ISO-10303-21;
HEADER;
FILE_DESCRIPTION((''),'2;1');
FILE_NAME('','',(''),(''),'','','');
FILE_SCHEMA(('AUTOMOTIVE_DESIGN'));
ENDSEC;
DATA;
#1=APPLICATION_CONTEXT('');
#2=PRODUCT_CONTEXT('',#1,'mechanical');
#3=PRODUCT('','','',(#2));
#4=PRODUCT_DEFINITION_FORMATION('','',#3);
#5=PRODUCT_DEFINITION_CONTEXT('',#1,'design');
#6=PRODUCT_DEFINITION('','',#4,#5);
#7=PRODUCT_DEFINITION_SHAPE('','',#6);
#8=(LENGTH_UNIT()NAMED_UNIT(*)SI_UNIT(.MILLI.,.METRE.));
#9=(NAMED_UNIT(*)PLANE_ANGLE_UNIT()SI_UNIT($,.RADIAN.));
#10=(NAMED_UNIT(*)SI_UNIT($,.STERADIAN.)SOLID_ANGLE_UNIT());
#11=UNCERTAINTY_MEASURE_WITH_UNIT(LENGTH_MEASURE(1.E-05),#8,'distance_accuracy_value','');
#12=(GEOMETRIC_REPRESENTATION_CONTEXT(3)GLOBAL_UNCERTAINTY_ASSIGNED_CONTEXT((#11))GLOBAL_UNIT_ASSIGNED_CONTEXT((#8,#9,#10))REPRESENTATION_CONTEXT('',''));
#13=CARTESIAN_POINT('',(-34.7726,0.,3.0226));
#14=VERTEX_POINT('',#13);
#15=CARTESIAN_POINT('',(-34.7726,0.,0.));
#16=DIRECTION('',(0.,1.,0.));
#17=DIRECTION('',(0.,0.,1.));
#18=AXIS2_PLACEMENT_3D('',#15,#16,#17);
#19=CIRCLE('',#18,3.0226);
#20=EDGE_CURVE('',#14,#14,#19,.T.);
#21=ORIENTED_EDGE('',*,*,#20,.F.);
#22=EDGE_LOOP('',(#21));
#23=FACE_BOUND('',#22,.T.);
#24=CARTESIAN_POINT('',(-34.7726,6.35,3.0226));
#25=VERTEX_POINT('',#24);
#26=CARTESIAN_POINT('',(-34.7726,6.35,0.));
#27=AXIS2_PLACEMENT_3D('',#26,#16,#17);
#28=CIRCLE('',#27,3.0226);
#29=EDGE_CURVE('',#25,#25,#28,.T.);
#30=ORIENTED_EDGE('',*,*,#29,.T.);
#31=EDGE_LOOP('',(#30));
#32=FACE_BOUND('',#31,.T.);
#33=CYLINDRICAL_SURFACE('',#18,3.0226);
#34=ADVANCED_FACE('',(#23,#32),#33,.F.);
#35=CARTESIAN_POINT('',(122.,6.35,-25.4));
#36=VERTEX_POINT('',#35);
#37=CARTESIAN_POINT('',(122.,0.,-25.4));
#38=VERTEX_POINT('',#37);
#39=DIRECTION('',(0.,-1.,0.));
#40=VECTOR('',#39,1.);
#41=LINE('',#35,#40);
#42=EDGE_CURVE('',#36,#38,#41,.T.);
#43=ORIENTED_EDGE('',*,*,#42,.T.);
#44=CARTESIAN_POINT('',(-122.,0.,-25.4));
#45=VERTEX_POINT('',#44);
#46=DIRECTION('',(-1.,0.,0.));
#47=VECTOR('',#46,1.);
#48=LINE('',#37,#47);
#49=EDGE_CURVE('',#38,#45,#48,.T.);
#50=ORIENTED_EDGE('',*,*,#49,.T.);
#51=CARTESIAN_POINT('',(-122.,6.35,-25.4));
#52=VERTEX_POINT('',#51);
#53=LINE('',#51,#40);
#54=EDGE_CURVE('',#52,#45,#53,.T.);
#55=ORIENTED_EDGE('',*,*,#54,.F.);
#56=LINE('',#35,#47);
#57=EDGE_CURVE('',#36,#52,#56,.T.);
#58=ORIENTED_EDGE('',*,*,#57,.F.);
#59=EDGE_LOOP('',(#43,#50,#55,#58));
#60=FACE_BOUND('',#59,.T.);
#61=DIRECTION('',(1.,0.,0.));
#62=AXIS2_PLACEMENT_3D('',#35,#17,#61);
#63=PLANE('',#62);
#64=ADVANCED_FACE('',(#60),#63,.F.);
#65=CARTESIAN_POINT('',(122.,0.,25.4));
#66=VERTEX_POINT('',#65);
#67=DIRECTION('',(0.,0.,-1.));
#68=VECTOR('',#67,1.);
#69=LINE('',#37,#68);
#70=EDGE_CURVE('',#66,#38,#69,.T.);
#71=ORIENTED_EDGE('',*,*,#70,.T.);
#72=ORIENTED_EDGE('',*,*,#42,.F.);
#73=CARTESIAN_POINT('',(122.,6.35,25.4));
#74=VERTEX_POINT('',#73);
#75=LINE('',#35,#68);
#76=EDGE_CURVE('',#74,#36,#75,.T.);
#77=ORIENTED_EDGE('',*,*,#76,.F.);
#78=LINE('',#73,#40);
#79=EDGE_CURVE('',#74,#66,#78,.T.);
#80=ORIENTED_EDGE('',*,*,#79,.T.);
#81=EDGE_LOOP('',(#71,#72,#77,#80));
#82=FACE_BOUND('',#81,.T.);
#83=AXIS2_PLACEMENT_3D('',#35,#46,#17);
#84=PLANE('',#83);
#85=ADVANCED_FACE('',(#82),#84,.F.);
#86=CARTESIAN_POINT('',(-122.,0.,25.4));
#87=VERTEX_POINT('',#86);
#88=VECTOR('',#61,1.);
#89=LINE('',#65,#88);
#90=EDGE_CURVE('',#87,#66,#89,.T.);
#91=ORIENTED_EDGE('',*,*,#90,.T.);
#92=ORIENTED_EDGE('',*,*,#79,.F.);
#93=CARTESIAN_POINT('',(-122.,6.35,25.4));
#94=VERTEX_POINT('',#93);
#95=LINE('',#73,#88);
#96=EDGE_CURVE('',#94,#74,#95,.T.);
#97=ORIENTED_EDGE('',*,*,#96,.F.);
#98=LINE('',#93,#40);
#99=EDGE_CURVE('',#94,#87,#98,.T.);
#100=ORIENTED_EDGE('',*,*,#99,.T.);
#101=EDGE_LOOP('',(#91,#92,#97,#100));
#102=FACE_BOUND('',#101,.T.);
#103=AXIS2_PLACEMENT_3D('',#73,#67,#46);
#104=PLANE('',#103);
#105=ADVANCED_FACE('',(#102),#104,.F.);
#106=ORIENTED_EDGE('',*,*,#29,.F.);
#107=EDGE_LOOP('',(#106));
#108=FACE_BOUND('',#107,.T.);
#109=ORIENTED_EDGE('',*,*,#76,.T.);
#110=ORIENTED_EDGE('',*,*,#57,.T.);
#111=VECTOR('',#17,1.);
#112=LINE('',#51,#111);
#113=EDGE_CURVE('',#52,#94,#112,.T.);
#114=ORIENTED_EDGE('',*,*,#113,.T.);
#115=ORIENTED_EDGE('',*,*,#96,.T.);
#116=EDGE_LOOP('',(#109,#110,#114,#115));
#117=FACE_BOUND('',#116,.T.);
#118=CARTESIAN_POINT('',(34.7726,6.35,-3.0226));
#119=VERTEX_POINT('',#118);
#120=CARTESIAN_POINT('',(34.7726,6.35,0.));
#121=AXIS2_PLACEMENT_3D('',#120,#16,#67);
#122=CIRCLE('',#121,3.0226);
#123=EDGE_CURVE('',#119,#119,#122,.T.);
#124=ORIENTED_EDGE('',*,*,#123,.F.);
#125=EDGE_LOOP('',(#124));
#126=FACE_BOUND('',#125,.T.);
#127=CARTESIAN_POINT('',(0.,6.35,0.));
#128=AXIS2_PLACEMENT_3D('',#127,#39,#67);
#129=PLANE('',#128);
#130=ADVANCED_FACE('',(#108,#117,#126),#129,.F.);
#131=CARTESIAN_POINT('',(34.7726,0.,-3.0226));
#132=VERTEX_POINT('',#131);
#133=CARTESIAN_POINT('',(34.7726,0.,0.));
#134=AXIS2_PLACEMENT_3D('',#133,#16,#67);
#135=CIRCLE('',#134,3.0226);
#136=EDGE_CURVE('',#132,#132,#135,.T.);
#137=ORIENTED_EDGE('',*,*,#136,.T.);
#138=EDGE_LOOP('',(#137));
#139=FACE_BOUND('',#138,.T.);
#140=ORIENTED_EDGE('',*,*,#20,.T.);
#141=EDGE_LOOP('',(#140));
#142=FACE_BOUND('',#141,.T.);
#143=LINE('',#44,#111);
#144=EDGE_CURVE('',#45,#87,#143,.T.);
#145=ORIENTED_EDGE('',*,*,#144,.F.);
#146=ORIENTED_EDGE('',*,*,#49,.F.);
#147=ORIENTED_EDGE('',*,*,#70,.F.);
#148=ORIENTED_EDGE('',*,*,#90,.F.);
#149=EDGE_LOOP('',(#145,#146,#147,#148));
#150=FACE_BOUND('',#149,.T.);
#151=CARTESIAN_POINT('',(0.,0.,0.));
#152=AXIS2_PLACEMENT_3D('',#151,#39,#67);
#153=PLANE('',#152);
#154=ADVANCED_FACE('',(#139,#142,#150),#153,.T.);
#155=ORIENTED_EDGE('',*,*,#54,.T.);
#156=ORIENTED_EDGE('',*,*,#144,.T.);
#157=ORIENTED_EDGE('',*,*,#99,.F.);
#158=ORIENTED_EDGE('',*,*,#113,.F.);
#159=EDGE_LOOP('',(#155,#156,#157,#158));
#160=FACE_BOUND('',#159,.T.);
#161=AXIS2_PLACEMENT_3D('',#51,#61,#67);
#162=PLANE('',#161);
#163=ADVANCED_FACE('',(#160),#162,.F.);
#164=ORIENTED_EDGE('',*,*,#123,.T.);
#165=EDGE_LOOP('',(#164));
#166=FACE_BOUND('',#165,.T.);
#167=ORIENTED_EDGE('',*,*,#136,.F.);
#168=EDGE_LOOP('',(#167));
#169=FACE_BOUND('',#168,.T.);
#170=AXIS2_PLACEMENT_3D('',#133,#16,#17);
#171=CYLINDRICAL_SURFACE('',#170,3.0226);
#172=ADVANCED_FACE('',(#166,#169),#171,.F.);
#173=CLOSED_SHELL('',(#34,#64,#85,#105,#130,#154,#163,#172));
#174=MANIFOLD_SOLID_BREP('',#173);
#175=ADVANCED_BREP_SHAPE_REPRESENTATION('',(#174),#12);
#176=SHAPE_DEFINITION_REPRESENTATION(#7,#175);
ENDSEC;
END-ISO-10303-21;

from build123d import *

# Parameters (mm, degrees)
SKETCH1_W           = 244
SKETCH1_H           = 50.8
BOSS_EXTRUDE1_DEPTH = 6.35
SKETCH2_R           = 3.0226
CUT_EXTRUDE1_DEPTH  = 6.35


with BuildPart() as part:
    # Sketch1 → Boss-Extrude1 (new body)
    with BuildSketch(Plane(origin=(0, 0, 0), x_dir=(1, 0, 0), z_dir=(0, 1, 0))):
        Rectangle(SKETCH1_W, SKETCH1_H)
    extrude(amount=BOSS_EXTRUDE1_DEPTH)

    # Sketch2 → Cut-Extrude1 (cut)
    with BuildSketch(Plane(origin=(0, 6.35, 0), x_dir=(1, 0, 0), z_dir=(0, 1, 0))):
        with Locations(Location((-34.7726, 0, 0), (0, 0, 270))):
            Circle(SKETCH2_R)
        with Locations(Location((34.7726, 0, 0), (0, 0, 90))):
            Circle(SKETCH2_R)
    extrude(amount=-CUT_EXTRUDE1_DEPTH, mode=Mode.SUBTRACT)


solid = part.part
